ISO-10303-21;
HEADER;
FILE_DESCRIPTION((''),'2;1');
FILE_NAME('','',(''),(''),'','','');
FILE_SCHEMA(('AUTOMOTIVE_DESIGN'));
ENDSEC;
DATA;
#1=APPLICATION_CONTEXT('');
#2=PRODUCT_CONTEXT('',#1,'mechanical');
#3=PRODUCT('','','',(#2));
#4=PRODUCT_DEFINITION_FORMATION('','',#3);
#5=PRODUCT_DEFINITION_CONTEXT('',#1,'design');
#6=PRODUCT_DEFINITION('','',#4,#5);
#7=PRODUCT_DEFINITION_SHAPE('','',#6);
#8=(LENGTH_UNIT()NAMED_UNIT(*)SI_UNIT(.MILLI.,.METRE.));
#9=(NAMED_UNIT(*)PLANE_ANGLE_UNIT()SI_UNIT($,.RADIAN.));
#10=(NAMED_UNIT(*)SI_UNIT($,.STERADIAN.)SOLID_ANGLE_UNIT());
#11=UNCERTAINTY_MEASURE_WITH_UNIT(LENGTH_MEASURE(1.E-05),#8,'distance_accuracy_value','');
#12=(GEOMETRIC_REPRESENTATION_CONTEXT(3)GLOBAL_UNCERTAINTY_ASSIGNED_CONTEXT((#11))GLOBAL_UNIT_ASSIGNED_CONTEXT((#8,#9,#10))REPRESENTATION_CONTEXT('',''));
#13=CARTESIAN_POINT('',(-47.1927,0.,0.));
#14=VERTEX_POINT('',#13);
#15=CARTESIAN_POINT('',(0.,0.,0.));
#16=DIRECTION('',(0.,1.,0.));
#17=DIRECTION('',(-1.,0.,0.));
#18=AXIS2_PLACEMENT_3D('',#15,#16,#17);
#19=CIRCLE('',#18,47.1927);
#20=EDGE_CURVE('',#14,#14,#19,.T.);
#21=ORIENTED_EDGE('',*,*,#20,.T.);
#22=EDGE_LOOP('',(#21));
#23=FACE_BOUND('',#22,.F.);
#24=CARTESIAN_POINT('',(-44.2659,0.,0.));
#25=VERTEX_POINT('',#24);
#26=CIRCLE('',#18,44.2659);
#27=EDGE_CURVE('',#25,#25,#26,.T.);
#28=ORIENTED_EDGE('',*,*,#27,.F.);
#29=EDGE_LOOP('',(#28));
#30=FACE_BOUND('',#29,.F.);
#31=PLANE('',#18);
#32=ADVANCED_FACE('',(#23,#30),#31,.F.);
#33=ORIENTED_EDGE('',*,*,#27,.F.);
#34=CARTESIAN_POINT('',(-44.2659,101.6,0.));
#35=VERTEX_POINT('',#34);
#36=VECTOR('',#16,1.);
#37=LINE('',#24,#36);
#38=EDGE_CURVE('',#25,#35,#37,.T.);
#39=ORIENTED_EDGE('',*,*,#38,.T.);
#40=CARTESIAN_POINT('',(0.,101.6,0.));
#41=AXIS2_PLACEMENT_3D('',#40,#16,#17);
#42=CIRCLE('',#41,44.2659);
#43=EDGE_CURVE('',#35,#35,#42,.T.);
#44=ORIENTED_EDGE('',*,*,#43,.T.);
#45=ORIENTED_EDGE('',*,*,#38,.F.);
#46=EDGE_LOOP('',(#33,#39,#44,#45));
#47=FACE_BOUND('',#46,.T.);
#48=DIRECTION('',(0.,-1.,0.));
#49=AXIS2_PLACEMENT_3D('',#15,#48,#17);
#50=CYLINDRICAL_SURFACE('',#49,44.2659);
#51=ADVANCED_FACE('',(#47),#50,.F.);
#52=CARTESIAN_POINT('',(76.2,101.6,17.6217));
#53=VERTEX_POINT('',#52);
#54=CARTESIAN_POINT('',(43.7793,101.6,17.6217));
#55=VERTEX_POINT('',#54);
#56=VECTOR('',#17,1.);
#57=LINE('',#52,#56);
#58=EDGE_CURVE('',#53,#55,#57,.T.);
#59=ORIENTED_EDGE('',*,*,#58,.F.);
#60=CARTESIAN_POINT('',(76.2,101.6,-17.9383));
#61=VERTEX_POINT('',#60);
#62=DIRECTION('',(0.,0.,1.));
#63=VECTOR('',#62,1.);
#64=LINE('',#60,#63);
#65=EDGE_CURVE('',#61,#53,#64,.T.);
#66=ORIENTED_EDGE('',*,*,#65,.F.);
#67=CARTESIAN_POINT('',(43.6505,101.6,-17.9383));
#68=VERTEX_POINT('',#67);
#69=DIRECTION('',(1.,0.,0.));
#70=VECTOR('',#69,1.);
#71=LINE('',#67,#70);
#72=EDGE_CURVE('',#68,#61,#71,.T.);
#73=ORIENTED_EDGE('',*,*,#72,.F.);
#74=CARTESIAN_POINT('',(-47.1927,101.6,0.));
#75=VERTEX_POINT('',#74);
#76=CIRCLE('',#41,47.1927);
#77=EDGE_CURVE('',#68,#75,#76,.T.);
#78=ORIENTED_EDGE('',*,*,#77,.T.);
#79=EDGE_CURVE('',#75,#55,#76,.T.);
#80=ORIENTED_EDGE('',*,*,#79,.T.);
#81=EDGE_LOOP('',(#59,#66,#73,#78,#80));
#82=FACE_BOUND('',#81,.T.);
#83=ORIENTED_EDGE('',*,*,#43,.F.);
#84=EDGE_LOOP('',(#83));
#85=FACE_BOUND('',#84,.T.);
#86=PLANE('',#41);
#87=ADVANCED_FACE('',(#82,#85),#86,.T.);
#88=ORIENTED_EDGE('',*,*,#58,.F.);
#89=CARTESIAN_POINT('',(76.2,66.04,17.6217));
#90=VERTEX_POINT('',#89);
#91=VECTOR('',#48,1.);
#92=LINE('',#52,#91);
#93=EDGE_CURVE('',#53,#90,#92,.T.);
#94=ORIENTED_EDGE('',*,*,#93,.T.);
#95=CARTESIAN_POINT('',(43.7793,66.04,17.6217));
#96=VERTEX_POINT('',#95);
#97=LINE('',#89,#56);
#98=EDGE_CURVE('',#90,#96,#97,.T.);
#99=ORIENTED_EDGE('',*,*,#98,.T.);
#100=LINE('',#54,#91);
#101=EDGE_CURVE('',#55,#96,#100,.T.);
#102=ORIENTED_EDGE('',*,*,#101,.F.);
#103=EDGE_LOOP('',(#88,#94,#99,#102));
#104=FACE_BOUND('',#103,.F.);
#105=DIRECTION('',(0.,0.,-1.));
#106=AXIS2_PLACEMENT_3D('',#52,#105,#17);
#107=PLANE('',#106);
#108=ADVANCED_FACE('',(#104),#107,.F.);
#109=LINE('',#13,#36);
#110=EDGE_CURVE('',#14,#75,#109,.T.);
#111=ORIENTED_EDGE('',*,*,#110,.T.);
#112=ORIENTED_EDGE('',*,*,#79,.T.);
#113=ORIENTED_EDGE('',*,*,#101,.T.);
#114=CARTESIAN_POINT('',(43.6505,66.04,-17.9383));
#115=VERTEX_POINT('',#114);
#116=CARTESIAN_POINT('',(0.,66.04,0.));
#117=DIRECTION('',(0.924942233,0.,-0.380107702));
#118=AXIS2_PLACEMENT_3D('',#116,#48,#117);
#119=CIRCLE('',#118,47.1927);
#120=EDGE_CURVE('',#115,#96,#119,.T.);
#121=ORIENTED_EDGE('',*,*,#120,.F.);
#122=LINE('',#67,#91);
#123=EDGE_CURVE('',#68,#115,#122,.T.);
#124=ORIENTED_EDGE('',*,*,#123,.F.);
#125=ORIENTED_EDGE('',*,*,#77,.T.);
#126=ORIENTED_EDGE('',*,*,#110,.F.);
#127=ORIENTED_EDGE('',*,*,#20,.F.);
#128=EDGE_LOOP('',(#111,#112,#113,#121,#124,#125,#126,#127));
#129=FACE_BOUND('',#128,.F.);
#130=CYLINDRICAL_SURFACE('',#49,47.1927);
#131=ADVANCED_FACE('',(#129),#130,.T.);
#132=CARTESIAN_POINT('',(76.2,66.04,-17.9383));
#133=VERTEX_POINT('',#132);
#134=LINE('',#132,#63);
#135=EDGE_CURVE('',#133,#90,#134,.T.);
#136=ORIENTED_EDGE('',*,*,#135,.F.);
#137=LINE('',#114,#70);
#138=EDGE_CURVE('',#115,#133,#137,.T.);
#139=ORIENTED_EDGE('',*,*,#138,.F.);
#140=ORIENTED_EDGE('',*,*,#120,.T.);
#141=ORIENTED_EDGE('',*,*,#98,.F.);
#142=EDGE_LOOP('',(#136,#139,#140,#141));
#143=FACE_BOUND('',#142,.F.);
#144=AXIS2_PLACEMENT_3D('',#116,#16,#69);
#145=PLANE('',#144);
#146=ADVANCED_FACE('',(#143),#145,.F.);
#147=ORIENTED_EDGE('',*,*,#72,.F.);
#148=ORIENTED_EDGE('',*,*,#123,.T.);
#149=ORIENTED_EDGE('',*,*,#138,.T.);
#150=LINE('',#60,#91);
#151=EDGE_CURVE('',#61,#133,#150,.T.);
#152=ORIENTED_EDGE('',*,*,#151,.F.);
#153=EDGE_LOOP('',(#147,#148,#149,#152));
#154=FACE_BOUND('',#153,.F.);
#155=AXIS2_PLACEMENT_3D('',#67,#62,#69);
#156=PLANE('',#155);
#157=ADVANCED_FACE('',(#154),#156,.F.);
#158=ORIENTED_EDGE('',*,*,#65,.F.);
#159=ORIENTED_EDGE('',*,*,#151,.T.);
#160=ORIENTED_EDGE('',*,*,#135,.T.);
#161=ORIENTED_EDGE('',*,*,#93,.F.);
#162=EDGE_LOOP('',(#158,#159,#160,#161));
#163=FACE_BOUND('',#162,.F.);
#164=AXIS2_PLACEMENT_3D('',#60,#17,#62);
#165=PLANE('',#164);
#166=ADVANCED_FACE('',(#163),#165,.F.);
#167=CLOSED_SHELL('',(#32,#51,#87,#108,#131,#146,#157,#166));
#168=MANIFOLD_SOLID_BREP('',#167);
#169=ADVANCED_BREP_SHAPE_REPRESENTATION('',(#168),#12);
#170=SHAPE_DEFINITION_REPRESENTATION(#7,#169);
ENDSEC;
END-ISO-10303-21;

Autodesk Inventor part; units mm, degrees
ref_plane "YZ Plane" through (0, 0, 0) normal (1, 0, 0) x (0, 1, 0)
ref_plane "XZ Plane" through (0, 0, 0) normal (0, 1, 0) x (-1, 0, 0)
ref_plane "XY Plane" through (0, 0, 0) normal (0, 0, 1) x (1, 0, 0)
sketch "Sketch13" plane through (0, 0, 0) normal (0, 1, 0) x (-1, 0, 0)
  circle A0 centre (0, 0) radius 44.2659
  circle A1 centre (0, 0) radius 47.1927
  dimension "d24" = 88.5317
extrude "Extrusion7" add sketch "Sketch13" along normal blind 101.6
sketch "Sketch14" plane through (0, 101.6, 0) normal (0, 1, 0) x (1, 0, 0)
  line L0 (43.6505, 17.9383) -> (76.2, 17.9383)
  line L1 (76.2, 17.9383) -> (76.2, -17.6217)
  line L2 (76.2, -17.6217) -> (43.7793, -17.6217)
  circle A0 centre (0, 0) radius 47.1927 projected
  arc A1 (43.7793, -17.6217) -> (43.6505, 17.9383) centre (0, 0) ccw
  dimension "d29" = 35.56
extrude "Extrusion8" add sketch "Sketch14" against normal blind 35.56 contours L0 L1 L2 A0
properties part number "cock storage holder" material "Stainless Steel"
